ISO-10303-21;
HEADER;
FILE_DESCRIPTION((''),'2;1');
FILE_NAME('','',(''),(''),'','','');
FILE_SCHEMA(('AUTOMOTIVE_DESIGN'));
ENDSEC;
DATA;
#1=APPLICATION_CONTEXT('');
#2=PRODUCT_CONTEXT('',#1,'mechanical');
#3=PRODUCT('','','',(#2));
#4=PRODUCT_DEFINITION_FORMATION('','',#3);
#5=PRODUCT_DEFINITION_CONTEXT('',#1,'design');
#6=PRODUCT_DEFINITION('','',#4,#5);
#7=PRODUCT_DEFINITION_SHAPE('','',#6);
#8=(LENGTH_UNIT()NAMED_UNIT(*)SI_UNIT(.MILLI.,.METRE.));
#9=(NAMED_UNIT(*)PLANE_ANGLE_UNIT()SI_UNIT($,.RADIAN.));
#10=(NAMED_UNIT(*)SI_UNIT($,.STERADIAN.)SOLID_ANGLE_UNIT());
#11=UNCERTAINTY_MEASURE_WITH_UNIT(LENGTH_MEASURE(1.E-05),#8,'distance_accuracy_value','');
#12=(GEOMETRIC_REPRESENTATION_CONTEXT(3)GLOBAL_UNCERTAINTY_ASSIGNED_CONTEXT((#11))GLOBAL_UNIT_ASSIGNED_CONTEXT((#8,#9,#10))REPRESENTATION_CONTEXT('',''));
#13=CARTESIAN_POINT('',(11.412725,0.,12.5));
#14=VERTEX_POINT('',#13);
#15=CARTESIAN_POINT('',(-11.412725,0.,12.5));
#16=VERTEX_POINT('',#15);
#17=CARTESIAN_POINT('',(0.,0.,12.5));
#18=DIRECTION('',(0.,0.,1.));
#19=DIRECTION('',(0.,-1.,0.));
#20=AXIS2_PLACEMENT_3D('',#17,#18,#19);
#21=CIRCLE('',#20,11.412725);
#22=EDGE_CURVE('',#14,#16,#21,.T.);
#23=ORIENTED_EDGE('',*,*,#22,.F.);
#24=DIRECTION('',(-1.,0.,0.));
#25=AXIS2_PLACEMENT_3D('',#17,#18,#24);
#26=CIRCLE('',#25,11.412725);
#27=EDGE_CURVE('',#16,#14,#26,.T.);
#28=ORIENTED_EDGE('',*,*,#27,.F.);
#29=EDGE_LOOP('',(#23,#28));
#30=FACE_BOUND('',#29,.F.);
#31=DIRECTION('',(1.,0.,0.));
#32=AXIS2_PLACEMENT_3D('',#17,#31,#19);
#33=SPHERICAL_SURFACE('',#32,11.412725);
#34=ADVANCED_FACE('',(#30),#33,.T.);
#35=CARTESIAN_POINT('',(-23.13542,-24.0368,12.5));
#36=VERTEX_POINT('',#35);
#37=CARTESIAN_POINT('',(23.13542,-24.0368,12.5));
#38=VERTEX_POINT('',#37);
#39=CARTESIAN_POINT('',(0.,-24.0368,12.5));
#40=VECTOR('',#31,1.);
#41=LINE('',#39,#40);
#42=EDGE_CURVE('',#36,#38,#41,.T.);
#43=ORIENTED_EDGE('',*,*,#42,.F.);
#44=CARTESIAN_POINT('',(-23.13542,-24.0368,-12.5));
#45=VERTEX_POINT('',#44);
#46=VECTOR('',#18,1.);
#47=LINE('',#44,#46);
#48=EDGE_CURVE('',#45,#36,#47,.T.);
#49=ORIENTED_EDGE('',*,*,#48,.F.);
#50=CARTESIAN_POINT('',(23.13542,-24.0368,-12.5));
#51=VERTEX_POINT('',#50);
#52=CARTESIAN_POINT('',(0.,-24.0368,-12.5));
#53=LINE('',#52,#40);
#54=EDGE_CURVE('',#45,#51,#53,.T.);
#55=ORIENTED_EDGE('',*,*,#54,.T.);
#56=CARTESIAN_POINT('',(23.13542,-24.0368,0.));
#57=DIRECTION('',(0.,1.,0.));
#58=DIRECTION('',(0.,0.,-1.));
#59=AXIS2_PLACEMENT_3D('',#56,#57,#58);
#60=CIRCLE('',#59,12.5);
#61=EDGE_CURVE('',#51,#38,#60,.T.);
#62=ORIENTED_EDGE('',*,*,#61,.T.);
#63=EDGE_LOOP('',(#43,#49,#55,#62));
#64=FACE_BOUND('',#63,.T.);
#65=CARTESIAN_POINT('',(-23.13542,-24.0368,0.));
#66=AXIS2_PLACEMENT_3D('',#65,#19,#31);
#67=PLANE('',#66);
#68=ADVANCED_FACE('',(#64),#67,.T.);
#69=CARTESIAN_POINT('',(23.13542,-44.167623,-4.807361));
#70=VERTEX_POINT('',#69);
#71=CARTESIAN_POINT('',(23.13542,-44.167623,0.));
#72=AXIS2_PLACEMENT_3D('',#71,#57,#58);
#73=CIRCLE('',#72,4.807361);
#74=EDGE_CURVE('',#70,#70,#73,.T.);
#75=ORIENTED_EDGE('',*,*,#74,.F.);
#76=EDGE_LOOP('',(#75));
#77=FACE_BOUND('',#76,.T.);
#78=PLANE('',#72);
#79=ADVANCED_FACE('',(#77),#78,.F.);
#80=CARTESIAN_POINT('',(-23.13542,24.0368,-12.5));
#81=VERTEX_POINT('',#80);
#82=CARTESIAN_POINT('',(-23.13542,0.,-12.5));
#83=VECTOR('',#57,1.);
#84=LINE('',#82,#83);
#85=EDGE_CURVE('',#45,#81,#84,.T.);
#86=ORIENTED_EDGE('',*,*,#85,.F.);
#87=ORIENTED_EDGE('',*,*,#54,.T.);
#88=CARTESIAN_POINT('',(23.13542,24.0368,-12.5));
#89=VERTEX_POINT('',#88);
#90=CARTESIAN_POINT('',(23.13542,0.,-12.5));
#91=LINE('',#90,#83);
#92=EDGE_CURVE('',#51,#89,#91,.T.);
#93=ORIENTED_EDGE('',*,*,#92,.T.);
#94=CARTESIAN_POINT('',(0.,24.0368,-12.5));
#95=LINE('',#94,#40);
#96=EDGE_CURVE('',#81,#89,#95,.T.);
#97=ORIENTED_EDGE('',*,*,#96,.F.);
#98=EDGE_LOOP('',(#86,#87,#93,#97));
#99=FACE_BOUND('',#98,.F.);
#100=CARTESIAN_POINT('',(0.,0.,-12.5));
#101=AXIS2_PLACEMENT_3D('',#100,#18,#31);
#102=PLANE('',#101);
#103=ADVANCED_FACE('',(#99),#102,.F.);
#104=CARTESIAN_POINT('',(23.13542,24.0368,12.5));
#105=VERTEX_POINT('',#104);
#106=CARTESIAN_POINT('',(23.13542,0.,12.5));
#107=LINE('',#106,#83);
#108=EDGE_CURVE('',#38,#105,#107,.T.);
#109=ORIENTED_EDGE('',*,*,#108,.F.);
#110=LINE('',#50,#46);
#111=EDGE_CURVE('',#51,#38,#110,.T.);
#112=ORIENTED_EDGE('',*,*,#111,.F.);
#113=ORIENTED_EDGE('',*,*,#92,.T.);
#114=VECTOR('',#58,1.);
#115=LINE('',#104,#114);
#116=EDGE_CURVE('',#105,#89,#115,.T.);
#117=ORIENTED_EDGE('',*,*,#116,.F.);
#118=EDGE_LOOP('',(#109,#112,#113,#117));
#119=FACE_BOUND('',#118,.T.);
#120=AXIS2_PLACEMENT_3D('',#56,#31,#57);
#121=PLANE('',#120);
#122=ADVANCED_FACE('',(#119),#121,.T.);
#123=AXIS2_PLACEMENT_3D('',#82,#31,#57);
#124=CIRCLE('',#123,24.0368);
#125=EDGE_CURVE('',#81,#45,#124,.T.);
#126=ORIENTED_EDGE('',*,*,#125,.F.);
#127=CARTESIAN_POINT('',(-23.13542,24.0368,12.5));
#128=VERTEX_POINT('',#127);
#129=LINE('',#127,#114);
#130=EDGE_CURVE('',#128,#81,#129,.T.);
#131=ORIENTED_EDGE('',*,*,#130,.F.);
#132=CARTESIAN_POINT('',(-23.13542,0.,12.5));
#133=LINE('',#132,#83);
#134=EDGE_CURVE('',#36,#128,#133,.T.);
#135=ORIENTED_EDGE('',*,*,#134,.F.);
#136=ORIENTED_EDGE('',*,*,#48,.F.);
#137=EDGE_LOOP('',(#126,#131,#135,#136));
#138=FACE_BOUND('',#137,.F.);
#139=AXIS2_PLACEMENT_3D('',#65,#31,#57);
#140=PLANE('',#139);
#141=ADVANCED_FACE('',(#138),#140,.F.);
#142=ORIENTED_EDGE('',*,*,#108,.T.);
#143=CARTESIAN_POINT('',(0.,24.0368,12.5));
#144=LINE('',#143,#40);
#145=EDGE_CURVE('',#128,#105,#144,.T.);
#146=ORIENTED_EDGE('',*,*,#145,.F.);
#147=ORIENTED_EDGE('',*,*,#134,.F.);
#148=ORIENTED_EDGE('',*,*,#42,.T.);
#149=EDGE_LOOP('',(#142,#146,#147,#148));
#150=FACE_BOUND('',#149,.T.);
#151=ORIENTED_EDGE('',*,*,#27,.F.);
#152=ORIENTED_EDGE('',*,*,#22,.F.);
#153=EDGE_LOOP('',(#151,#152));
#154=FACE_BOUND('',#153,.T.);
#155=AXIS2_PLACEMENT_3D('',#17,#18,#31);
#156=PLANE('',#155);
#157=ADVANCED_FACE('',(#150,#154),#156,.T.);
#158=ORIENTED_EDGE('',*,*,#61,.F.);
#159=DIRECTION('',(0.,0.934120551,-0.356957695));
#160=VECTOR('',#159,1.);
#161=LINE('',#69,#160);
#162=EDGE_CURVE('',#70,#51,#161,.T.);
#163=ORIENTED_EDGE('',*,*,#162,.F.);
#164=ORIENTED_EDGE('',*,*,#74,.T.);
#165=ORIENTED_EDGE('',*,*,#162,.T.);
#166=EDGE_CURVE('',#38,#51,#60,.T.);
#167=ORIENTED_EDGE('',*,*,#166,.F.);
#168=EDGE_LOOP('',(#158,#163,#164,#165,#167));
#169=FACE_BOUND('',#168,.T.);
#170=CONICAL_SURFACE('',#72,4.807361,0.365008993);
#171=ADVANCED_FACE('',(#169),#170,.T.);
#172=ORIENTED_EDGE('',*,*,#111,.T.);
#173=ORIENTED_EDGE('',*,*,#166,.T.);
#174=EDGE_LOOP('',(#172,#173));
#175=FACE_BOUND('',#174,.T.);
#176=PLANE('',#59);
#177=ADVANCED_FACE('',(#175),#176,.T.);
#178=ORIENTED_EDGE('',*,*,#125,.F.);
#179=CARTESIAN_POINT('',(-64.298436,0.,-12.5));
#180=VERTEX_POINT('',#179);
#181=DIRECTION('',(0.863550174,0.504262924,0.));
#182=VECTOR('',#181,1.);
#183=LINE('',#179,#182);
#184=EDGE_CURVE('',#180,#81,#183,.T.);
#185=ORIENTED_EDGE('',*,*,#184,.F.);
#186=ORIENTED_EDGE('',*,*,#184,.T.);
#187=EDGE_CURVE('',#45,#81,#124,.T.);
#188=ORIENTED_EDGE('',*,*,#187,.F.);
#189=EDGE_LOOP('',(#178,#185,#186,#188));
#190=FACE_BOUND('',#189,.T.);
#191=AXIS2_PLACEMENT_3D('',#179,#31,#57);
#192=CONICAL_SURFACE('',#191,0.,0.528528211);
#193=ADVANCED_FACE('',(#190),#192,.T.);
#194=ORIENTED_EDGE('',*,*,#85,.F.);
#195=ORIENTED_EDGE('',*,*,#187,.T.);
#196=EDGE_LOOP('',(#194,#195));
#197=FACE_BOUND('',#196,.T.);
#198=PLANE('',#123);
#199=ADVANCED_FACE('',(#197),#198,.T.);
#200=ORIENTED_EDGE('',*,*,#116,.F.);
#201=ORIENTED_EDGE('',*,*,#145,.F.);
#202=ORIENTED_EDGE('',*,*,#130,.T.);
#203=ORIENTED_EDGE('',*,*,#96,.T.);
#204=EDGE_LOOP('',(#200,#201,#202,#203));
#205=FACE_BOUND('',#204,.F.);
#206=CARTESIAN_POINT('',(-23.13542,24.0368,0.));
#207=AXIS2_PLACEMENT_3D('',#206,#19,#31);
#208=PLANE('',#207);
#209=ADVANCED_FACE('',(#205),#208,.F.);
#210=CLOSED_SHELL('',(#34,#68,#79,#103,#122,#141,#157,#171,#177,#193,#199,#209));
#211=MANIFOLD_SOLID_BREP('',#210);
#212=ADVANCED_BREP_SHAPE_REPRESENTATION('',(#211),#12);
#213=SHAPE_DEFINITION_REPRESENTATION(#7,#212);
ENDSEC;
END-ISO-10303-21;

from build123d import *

# Parameters (mm, degrees)
F0_W     = 46.27084
F0_H     = 48.0736
F1_DEPTH = 12.5


with BuildPart() as f1:
    # F0 (on Top) → F1 (new body, symmetric)
    with BuildSketch(Plane.XY):
        Rectangle(F0_W, F0_H)
    extrude(amount=F1_DEPTH, both=True)

    # F2 (on face) → F3 (revolve)
    with BuildSketch(Plane.XY.offset(12.5)):
        with BuildLine():
            Line((0, 0), (-11.412725, 0))
            ThreePointArc((-11.412725, 0), (0, -11.412725), (11.412725, 0))
            Line((11.412725, 0), (0, 0))
        make_face()
    revolve(axis=Axis((0, 0, 12.5), (-1, 0, 0)))

    # F4 (on face) → F5 (revolve)
    with BuildSketch(Plane(origin=(0, 0, -12.5), x_dir=(1, 0, 0), z_dir=(0, 0, -1))):
        Polygon((-64.298436, 0), (-23.13542, -24.0368), (-23.13542, 0), align=None)
    revolve(axis=Axis((-43.716928, 0, -12.5), (1, 0, 0)))

    # F6 (on face) → F7 (revolve)
    with BuildSketch(Plane.YZ.offset(23.13542)):
        Polygon((-44.167623, -4.807361), (-24.0368, -12.5), (-24.0368, 0), (-44.167623, 0), align=None)
    revolve(axis=Axis((23.13542, -34.102212, 0), (0, 1, 0)))


solid = f1.part
